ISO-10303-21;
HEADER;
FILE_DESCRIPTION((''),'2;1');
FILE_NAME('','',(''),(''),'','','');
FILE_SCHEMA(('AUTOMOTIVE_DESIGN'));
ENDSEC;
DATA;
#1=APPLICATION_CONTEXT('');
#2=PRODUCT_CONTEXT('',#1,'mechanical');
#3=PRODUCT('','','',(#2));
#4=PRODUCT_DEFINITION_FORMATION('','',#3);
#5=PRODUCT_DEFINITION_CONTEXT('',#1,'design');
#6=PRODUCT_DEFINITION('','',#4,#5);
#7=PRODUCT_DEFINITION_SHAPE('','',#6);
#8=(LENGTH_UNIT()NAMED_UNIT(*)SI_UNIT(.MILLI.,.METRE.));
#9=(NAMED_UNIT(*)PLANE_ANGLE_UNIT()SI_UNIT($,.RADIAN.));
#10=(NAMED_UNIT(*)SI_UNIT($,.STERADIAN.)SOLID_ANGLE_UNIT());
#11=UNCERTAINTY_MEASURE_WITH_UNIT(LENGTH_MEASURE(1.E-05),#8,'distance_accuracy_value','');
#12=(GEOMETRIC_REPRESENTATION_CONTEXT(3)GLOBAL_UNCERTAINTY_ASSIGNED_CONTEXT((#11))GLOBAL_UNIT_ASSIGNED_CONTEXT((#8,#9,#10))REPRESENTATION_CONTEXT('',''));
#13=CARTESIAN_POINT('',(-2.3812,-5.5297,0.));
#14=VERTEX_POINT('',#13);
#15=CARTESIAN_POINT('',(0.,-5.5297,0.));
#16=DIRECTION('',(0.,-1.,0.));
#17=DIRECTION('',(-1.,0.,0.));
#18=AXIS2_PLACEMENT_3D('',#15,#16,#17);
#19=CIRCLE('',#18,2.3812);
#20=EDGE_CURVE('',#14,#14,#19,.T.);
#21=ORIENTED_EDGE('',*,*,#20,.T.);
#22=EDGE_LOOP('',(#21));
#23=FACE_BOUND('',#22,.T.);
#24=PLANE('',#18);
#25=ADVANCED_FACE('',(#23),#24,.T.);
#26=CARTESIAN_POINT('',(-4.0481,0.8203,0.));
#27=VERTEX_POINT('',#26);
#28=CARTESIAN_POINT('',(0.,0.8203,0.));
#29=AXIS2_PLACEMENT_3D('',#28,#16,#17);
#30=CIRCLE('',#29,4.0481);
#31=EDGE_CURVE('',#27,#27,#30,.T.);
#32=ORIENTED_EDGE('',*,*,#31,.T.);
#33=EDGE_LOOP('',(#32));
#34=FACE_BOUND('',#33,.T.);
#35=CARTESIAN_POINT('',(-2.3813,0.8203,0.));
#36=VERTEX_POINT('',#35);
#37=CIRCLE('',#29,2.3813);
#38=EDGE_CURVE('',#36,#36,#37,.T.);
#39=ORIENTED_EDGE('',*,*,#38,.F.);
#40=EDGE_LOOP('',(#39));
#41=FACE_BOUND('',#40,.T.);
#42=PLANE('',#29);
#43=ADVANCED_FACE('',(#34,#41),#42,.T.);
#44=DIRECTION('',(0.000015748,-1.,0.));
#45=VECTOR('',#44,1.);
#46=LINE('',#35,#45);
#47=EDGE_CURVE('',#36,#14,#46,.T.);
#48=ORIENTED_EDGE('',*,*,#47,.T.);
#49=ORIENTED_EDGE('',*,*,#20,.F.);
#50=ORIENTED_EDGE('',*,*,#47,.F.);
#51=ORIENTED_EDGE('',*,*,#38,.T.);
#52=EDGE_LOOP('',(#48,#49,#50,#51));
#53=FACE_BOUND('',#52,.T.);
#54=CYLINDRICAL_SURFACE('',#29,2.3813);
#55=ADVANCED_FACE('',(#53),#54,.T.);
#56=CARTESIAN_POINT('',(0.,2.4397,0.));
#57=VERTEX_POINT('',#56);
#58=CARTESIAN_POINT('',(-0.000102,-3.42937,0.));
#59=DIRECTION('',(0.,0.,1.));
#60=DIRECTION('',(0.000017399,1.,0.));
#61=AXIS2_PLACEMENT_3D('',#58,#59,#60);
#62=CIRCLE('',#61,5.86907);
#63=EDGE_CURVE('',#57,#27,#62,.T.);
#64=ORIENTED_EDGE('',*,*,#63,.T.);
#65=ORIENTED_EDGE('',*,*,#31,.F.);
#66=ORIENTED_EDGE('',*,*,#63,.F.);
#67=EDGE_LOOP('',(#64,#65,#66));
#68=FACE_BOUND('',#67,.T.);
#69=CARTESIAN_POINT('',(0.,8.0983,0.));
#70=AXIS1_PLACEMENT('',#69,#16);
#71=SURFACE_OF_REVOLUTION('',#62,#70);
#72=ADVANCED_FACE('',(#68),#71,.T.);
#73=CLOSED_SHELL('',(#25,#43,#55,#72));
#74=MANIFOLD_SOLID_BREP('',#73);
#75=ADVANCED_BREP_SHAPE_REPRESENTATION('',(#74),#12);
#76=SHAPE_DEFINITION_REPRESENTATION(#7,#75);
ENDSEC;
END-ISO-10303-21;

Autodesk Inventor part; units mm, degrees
ref_plane "YZ Plane" through (0, 0, 0) normal (1, 0, 0) x (0, 1, 0)
ref_plane "XZ Plane" through (0, 0, 0) normal (0, 1, 0) x (-1, 0, 0)
ref_plane "XY Plane" through (0, 0, 0) normal (0, 0, 1) x (1, 0, 0)
sketch "Sketch1" plane through (0, 0, 0) normal (0, 0, 1) x (1, 0, 0)
  arc A0 (0, 2.4397) -> (-4.0481, 0.8203) centre (0, -3.4299) ccw
  line L0 (-4.0481, 0.8203) -> (-2.3813, 0.8203)
  line L1 (-2.3813, 0.8203) -> (-2.3812, -5.5297)
  line L2 (-2.3812, -5.5297) -> (0, -5.5297)
  line L3 (0, 8.0983) -> (0, -8.7405) construction
  line L4 (-7.3401, 2.4397) -> (11.6392, 2.4397) construction
  line L5 (0, 2.4397) -> (0, -5.5297)
  point P0 (0, 0)
  dimension "d0" = 2.3813
  dimension "d1" = 6.35
  dimension "d2" = 4.0481
revolve "Revolution1" add sketch "Sketch1" angle 360 about axis through (0, 8.0983, 0) along (0, -1, 0)
properties part number "0.188 in Rivet"
